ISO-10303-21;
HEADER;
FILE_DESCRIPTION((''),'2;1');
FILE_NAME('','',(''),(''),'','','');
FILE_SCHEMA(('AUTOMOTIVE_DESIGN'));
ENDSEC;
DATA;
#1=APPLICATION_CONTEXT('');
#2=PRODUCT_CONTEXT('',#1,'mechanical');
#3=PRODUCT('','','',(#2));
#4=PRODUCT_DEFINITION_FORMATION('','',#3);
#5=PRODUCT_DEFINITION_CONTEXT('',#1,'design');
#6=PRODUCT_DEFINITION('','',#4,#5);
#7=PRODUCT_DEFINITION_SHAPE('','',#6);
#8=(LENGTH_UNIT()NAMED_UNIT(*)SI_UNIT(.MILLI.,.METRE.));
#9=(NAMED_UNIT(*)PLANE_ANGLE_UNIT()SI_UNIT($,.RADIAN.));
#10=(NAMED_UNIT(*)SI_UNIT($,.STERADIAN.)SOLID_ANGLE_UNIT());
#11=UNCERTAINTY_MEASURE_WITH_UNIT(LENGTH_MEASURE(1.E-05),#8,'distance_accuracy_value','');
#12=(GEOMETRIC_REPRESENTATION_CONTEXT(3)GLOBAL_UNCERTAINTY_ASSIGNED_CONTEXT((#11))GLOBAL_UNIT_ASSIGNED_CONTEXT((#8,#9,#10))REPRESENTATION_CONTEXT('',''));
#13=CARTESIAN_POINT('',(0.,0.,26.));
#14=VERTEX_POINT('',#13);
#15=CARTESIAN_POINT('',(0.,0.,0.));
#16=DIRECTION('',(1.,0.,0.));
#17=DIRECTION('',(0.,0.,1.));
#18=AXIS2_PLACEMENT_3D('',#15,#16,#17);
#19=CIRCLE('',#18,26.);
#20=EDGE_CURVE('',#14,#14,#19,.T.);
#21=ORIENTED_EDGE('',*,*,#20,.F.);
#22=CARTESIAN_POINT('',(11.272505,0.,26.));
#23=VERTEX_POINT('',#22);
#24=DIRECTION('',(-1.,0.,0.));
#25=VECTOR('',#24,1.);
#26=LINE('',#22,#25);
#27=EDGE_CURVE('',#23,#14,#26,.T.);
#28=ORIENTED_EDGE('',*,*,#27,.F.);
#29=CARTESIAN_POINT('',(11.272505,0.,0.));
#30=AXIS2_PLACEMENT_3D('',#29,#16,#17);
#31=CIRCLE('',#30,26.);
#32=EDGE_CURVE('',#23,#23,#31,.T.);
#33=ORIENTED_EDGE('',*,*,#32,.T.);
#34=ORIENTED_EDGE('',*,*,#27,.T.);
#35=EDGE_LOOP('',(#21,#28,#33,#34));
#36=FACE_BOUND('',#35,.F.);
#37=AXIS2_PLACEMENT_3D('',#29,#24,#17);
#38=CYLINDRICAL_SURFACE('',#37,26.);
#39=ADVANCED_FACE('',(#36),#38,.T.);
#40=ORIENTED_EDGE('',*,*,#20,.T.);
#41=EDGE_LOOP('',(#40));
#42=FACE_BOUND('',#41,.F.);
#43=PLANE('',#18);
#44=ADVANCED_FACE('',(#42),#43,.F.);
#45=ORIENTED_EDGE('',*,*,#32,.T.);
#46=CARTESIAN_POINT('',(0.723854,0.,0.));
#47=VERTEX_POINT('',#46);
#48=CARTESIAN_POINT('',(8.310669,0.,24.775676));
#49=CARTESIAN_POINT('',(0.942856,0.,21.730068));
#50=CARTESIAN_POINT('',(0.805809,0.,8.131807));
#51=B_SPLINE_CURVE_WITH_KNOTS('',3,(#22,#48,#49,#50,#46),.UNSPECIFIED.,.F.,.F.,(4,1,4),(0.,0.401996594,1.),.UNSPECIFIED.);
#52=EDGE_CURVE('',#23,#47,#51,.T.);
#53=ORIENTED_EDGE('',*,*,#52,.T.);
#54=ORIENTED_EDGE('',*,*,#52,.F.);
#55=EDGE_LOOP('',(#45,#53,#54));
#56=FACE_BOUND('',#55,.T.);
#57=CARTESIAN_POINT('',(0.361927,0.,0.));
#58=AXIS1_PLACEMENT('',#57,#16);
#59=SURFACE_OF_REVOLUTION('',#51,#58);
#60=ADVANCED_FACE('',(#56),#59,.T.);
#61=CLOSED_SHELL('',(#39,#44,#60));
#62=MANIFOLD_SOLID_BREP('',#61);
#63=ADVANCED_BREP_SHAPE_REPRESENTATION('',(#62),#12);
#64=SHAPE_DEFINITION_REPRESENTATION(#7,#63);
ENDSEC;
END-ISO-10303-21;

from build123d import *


with BuildPart() as f1:
    # F0 (on Front) → F1 (revolve)
    with BuildSketch(Plane.XZ):
        with BuildLine():
            Line((0, 26), (0, 0))
            Line((0, 0), (0.7238537073, 0))
            add(Edge.make_bspline(
                [(11.2725049257, 26), (8.3106691962, 24.7756759695), (0.942856207, 21.7300680026), (0.8058086269, 8.1318066185), (0.7238537073, 0)],
                knots=[0, 0, 0, 0, 0.4019965944, 1, 1, 1, 1], degree=3))
            Line((11.2725049257, 26), (0, 26))
        make_face()
    revolve(axis=Axis((0.3619268537, 0, 0), (1, 0, 0)))


solid = f1.part
